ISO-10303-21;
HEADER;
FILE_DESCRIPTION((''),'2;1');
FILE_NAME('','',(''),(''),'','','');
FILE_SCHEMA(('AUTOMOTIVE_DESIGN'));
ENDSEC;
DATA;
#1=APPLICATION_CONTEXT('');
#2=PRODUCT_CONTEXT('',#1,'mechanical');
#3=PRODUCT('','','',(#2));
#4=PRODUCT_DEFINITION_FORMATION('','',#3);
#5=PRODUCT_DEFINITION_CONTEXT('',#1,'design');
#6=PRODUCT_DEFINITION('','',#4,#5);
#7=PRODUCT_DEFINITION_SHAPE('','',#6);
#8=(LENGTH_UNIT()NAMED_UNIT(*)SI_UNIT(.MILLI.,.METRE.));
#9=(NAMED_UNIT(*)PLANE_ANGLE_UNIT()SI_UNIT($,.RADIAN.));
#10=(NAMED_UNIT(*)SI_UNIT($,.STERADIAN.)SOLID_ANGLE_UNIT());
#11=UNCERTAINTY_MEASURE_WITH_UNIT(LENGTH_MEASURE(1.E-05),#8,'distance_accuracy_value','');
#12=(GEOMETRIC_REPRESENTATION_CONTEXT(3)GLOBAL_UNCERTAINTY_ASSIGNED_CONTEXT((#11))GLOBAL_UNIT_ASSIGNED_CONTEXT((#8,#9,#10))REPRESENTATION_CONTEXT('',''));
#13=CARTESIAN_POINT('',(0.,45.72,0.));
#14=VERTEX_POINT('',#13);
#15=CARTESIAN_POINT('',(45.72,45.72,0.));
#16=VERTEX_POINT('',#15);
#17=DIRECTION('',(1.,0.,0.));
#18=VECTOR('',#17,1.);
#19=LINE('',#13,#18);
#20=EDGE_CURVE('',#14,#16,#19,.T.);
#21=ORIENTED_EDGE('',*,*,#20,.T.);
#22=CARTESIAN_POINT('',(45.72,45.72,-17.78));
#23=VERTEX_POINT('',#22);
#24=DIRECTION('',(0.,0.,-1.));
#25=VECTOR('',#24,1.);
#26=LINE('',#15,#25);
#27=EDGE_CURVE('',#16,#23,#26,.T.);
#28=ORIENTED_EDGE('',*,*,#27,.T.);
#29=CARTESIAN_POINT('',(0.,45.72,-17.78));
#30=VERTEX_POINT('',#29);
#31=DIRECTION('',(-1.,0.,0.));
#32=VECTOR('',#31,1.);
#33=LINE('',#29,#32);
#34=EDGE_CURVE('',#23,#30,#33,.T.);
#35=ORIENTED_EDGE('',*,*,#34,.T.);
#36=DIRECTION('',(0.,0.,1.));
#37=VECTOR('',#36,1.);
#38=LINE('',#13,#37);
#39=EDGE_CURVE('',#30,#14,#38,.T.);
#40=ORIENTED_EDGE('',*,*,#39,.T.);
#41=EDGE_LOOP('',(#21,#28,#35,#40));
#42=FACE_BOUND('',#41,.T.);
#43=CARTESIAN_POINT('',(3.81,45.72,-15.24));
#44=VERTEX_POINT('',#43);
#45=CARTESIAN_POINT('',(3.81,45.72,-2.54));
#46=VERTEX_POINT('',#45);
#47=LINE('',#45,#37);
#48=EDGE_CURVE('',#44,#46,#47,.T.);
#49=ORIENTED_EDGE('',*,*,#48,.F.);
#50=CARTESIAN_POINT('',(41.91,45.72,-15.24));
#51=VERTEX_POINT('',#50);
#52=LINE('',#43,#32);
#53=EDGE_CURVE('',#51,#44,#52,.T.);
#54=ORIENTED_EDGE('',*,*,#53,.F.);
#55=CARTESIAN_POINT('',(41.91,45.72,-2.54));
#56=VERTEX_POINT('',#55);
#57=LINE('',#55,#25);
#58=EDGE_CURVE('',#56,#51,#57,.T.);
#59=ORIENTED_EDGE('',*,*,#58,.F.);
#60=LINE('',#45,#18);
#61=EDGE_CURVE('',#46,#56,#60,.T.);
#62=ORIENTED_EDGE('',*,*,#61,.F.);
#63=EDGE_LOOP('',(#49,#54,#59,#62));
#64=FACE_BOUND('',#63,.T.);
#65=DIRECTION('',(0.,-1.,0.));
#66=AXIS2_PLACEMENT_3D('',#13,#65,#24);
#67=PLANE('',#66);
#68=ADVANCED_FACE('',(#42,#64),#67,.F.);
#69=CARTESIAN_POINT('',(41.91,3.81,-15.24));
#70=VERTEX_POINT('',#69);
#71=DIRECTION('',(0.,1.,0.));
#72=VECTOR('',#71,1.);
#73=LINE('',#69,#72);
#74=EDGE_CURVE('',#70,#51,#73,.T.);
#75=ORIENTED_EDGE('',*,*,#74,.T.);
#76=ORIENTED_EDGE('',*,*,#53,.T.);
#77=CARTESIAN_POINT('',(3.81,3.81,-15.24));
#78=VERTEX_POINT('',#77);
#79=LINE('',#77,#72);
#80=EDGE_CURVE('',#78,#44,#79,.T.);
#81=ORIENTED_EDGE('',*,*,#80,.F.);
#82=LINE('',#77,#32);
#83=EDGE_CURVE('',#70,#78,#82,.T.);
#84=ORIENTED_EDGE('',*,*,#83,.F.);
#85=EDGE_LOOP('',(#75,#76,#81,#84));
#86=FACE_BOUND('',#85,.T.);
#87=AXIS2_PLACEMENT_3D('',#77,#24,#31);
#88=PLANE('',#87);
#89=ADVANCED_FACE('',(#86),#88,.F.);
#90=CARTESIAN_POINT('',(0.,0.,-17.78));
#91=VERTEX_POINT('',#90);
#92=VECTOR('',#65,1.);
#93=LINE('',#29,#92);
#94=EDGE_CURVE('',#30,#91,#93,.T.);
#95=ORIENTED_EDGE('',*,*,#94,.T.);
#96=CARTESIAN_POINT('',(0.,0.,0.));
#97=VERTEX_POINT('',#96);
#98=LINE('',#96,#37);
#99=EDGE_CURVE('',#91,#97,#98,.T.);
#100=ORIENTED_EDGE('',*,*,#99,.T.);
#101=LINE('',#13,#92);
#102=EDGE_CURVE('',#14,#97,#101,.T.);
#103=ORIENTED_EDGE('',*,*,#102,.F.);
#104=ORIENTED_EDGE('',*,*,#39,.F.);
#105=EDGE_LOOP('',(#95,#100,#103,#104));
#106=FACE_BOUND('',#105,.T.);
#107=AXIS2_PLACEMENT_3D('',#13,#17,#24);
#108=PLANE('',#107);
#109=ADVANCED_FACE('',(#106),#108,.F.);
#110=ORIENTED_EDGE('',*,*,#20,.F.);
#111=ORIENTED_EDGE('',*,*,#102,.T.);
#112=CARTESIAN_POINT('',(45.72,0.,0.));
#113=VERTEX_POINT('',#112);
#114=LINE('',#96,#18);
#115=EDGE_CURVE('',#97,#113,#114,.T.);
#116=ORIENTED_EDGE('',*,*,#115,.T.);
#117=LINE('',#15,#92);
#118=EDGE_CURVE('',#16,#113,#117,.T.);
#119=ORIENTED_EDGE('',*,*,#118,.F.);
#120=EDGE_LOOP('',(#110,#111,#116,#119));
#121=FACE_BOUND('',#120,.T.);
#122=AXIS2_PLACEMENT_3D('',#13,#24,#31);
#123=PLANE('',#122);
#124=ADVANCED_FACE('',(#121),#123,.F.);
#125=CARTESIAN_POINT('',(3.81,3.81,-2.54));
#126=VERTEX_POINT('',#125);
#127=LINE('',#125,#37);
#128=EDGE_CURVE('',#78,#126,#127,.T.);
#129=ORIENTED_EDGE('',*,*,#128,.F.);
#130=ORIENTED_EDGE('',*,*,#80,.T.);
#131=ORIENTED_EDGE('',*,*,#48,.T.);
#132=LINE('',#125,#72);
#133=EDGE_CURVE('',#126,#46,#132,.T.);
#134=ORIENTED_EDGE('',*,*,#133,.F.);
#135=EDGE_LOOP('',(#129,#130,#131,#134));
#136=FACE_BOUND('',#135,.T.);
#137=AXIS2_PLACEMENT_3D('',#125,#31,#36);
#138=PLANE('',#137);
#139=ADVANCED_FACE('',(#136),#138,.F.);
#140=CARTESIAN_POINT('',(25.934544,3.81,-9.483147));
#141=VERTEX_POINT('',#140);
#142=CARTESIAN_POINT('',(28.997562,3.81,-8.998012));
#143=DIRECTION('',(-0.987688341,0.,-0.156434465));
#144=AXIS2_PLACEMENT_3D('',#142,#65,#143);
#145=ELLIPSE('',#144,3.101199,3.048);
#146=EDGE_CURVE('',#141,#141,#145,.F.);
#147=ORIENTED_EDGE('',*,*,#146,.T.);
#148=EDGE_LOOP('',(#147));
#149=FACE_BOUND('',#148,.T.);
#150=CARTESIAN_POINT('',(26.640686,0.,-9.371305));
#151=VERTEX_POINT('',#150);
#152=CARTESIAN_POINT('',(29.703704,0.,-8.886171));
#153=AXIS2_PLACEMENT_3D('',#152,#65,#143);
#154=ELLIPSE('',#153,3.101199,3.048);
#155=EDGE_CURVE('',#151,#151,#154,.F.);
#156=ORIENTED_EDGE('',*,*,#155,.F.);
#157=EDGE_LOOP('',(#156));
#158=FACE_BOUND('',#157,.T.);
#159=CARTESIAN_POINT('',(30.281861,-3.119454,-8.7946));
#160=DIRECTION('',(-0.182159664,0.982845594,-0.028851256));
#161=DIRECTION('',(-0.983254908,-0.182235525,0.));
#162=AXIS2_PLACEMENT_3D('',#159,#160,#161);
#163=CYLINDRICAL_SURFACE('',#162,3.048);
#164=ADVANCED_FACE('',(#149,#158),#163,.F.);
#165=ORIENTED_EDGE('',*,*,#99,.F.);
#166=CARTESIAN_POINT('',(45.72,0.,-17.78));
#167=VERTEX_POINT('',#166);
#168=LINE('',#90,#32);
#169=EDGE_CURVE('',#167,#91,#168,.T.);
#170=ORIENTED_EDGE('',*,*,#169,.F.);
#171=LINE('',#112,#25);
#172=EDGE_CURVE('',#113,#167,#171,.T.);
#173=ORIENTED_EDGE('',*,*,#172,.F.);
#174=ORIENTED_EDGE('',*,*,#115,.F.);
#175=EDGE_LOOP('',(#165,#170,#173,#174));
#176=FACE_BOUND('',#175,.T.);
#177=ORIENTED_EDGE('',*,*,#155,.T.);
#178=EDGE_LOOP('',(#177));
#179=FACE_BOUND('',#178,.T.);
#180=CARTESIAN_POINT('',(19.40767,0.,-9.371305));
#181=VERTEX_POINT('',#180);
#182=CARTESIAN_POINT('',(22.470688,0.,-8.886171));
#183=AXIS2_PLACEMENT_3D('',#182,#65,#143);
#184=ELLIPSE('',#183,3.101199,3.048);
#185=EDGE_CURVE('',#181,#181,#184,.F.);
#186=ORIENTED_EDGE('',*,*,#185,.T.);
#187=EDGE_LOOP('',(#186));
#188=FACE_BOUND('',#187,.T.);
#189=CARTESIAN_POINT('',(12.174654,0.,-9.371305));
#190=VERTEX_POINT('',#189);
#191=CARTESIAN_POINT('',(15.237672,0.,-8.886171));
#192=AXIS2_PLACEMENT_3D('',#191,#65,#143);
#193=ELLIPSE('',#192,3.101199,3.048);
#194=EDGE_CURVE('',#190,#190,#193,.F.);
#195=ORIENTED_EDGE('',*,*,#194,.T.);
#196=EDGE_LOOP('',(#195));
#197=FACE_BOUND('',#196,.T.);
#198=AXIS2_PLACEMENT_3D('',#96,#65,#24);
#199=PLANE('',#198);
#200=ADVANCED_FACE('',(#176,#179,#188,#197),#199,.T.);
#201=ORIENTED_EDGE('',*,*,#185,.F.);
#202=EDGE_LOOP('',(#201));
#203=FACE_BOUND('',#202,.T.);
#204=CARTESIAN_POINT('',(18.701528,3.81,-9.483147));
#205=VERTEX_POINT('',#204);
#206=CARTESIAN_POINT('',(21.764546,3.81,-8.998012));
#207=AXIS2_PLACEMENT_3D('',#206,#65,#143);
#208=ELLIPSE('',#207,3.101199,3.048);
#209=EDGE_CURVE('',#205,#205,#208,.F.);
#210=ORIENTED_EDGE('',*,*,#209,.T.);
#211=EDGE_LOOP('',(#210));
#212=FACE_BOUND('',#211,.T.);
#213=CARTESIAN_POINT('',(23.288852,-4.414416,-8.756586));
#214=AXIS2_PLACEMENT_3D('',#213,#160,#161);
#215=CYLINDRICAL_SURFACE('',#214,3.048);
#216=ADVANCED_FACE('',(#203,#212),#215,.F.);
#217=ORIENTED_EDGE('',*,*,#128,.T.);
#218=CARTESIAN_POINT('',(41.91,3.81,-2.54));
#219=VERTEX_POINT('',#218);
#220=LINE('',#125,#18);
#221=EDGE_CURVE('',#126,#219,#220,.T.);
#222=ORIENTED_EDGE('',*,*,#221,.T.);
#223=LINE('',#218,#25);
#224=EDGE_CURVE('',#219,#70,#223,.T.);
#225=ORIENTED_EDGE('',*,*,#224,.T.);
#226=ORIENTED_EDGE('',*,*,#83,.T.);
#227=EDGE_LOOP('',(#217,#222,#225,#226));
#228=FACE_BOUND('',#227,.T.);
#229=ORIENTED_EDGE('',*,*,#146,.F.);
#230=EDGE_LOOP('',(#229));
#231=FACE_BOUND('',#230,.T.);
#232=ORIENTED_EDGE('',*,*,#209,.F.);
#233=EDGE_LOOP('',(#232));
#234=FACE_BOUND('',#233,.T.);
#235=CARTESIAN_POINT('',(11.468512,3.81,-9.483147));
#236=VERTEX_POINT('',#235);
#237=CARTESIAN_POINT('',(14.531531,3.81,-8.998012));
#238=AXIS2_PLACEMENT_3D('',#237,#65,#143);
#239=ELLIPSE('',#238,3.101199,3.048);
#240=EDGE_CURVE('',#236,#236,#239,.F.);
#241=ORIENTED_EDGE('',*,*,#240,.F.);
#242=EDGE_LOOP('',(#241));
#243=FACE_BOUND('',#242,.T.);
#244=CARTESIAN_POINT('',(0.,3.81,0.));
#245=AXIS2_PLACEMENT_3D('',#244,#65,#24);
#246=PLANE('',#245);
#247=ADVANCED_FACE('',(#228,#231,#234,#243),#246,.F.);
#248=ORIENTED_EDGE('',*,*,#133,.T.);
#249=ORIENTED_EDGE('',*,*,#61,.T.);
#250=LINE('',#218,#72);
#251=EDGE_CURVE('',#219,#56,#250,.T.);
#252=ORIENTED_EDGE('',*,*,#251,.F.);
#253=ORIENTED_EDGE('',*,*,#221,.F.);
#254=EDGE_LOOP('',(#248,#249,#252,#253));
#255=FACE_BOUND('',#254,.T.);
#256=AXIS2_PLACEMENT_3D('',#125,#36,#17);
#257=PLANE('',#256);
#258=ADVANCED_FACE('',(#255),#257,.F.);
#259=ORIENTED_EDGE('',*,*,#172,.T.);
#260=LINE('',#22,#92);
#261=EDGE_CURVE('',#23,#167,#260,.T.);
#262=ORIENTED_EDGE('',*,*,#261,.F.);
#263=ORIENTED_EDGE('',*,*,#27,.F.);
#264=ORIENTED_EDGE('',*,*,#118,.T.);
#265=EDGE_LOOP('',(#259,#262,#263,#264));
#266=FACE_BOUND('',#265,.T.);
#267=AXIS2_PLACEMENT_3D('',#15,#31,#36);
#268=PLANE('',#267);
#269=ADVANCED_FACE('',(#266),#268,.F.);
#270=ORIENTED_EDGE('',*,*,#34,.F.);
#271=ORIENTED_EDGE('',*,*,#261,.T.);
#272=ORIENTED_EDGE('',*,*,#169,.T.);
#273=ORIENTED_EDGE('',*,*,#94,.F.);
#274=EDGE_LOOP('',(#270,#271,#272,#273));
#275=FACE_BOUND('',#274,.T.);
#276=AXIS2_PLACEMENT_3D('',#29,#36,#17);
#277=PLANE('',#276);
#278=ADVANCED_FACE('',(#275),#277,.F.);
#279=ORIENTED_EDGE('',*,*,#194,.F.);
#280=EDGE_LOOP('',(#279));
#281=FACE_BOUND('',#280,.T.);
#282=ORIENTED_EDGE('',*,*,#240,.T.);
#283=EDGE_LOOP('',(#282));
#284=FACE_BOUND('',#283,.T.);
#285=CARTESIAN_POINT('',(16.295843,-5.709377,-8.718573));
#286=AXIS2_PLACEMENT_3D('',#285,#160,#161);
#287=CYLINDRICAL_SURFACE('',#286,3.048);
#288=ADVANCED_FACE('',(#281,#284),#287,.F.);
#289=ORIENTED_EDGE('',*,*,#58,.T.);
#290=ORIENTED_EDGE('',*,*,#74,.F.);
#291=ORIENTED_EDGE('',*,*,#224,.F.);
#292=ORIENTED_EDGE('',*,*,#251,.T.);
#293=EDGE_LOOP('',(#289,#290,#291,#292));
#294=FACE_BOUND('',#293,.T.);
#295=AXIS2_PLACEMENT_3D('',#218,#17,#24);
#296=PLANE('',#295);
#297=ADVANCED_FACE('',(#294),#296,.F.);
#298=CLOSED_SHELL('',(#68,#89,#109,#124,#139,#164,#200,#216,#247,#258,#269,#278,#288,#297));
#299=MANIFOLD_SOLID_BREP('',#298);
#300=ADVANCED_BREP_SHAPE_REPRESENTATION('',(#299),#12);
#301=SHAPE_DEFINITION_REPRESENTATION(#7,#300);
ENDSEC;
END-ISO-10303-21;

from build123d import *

# Parameters (mm, degrees)
SKETCH1_W               = 45.72
SKETCH1_H               = 17.78
BOSS_EXTRUDE1_DEPTH     = 45.72
SKETCH2_W               = 38.1
SKETCH2_H               = 12.7
CUT_EXTRUDE1_DEPTH      = 41.91
SKETCH6_R               = 3.048
CUT_EXTRUDE2_DEPTH      = 9.328339826
CUT_EXTRUDE2_DEPTH_BACK = 15.24


with BuildPart() as part:
    # Sketch1 → Boss-Extrude1 (new body)
    with BuildSketch(Plane(origin=(0, 0, 0), x_dir=(1, 0, 0), z_dir=(0, 1, 0))):
        with Locations((22.86, 8.89)):
            Rectangle(SKETCH1_W, SKETCH1_H)
    extrude(amount=BOSS_EXTRUDE1_DEPTH)

    # Sketch2 → Cut-Extrude1 (cut)
    with BuildSketch(Plane(origin=(0, 45.72, 0), x_dir=(1, 0, 0), z_dir=(0, 1, 0))):
        with Locations((22.86, 8.89)):
            Rectangle(SKETCH2_W, SKETCH2_H)
    extrude(amount=-CUT_EXTRUDE1_DEPTH, mode=Mode.SUBTRACT)

    # Sketch6 → Cut-Extrude2 (cut, two sides)
    with BuildSketch(Plane(origin=(0, 0, 0), x_dir=(0.974501657, 0.176548089, -0.138482102), z_dir=(0.182159664, -0.982845594, 0.028851256))) as cut_extrude2_sk:
        with Locations((23.128298386, -5.852866773)):
            Circle(SKETCH6_R)
        with Locations((16.079712461, -6.800485078)):
            Circle(SKETCH6_R)
        with Locations((30.176884312, -4.905248468)):
            Circle(SKETCH6_R)
    extrude(amount=CUT_EXTRUDE2_DEPTH, mode=Mode.SUBTRACT)
    extrude(cut_extrude2_sk.sketch, amount=-CUT_EXTRUDE2_DEPTH_BACK, mode=Mode.SUBTRACT)


solid = part.part
